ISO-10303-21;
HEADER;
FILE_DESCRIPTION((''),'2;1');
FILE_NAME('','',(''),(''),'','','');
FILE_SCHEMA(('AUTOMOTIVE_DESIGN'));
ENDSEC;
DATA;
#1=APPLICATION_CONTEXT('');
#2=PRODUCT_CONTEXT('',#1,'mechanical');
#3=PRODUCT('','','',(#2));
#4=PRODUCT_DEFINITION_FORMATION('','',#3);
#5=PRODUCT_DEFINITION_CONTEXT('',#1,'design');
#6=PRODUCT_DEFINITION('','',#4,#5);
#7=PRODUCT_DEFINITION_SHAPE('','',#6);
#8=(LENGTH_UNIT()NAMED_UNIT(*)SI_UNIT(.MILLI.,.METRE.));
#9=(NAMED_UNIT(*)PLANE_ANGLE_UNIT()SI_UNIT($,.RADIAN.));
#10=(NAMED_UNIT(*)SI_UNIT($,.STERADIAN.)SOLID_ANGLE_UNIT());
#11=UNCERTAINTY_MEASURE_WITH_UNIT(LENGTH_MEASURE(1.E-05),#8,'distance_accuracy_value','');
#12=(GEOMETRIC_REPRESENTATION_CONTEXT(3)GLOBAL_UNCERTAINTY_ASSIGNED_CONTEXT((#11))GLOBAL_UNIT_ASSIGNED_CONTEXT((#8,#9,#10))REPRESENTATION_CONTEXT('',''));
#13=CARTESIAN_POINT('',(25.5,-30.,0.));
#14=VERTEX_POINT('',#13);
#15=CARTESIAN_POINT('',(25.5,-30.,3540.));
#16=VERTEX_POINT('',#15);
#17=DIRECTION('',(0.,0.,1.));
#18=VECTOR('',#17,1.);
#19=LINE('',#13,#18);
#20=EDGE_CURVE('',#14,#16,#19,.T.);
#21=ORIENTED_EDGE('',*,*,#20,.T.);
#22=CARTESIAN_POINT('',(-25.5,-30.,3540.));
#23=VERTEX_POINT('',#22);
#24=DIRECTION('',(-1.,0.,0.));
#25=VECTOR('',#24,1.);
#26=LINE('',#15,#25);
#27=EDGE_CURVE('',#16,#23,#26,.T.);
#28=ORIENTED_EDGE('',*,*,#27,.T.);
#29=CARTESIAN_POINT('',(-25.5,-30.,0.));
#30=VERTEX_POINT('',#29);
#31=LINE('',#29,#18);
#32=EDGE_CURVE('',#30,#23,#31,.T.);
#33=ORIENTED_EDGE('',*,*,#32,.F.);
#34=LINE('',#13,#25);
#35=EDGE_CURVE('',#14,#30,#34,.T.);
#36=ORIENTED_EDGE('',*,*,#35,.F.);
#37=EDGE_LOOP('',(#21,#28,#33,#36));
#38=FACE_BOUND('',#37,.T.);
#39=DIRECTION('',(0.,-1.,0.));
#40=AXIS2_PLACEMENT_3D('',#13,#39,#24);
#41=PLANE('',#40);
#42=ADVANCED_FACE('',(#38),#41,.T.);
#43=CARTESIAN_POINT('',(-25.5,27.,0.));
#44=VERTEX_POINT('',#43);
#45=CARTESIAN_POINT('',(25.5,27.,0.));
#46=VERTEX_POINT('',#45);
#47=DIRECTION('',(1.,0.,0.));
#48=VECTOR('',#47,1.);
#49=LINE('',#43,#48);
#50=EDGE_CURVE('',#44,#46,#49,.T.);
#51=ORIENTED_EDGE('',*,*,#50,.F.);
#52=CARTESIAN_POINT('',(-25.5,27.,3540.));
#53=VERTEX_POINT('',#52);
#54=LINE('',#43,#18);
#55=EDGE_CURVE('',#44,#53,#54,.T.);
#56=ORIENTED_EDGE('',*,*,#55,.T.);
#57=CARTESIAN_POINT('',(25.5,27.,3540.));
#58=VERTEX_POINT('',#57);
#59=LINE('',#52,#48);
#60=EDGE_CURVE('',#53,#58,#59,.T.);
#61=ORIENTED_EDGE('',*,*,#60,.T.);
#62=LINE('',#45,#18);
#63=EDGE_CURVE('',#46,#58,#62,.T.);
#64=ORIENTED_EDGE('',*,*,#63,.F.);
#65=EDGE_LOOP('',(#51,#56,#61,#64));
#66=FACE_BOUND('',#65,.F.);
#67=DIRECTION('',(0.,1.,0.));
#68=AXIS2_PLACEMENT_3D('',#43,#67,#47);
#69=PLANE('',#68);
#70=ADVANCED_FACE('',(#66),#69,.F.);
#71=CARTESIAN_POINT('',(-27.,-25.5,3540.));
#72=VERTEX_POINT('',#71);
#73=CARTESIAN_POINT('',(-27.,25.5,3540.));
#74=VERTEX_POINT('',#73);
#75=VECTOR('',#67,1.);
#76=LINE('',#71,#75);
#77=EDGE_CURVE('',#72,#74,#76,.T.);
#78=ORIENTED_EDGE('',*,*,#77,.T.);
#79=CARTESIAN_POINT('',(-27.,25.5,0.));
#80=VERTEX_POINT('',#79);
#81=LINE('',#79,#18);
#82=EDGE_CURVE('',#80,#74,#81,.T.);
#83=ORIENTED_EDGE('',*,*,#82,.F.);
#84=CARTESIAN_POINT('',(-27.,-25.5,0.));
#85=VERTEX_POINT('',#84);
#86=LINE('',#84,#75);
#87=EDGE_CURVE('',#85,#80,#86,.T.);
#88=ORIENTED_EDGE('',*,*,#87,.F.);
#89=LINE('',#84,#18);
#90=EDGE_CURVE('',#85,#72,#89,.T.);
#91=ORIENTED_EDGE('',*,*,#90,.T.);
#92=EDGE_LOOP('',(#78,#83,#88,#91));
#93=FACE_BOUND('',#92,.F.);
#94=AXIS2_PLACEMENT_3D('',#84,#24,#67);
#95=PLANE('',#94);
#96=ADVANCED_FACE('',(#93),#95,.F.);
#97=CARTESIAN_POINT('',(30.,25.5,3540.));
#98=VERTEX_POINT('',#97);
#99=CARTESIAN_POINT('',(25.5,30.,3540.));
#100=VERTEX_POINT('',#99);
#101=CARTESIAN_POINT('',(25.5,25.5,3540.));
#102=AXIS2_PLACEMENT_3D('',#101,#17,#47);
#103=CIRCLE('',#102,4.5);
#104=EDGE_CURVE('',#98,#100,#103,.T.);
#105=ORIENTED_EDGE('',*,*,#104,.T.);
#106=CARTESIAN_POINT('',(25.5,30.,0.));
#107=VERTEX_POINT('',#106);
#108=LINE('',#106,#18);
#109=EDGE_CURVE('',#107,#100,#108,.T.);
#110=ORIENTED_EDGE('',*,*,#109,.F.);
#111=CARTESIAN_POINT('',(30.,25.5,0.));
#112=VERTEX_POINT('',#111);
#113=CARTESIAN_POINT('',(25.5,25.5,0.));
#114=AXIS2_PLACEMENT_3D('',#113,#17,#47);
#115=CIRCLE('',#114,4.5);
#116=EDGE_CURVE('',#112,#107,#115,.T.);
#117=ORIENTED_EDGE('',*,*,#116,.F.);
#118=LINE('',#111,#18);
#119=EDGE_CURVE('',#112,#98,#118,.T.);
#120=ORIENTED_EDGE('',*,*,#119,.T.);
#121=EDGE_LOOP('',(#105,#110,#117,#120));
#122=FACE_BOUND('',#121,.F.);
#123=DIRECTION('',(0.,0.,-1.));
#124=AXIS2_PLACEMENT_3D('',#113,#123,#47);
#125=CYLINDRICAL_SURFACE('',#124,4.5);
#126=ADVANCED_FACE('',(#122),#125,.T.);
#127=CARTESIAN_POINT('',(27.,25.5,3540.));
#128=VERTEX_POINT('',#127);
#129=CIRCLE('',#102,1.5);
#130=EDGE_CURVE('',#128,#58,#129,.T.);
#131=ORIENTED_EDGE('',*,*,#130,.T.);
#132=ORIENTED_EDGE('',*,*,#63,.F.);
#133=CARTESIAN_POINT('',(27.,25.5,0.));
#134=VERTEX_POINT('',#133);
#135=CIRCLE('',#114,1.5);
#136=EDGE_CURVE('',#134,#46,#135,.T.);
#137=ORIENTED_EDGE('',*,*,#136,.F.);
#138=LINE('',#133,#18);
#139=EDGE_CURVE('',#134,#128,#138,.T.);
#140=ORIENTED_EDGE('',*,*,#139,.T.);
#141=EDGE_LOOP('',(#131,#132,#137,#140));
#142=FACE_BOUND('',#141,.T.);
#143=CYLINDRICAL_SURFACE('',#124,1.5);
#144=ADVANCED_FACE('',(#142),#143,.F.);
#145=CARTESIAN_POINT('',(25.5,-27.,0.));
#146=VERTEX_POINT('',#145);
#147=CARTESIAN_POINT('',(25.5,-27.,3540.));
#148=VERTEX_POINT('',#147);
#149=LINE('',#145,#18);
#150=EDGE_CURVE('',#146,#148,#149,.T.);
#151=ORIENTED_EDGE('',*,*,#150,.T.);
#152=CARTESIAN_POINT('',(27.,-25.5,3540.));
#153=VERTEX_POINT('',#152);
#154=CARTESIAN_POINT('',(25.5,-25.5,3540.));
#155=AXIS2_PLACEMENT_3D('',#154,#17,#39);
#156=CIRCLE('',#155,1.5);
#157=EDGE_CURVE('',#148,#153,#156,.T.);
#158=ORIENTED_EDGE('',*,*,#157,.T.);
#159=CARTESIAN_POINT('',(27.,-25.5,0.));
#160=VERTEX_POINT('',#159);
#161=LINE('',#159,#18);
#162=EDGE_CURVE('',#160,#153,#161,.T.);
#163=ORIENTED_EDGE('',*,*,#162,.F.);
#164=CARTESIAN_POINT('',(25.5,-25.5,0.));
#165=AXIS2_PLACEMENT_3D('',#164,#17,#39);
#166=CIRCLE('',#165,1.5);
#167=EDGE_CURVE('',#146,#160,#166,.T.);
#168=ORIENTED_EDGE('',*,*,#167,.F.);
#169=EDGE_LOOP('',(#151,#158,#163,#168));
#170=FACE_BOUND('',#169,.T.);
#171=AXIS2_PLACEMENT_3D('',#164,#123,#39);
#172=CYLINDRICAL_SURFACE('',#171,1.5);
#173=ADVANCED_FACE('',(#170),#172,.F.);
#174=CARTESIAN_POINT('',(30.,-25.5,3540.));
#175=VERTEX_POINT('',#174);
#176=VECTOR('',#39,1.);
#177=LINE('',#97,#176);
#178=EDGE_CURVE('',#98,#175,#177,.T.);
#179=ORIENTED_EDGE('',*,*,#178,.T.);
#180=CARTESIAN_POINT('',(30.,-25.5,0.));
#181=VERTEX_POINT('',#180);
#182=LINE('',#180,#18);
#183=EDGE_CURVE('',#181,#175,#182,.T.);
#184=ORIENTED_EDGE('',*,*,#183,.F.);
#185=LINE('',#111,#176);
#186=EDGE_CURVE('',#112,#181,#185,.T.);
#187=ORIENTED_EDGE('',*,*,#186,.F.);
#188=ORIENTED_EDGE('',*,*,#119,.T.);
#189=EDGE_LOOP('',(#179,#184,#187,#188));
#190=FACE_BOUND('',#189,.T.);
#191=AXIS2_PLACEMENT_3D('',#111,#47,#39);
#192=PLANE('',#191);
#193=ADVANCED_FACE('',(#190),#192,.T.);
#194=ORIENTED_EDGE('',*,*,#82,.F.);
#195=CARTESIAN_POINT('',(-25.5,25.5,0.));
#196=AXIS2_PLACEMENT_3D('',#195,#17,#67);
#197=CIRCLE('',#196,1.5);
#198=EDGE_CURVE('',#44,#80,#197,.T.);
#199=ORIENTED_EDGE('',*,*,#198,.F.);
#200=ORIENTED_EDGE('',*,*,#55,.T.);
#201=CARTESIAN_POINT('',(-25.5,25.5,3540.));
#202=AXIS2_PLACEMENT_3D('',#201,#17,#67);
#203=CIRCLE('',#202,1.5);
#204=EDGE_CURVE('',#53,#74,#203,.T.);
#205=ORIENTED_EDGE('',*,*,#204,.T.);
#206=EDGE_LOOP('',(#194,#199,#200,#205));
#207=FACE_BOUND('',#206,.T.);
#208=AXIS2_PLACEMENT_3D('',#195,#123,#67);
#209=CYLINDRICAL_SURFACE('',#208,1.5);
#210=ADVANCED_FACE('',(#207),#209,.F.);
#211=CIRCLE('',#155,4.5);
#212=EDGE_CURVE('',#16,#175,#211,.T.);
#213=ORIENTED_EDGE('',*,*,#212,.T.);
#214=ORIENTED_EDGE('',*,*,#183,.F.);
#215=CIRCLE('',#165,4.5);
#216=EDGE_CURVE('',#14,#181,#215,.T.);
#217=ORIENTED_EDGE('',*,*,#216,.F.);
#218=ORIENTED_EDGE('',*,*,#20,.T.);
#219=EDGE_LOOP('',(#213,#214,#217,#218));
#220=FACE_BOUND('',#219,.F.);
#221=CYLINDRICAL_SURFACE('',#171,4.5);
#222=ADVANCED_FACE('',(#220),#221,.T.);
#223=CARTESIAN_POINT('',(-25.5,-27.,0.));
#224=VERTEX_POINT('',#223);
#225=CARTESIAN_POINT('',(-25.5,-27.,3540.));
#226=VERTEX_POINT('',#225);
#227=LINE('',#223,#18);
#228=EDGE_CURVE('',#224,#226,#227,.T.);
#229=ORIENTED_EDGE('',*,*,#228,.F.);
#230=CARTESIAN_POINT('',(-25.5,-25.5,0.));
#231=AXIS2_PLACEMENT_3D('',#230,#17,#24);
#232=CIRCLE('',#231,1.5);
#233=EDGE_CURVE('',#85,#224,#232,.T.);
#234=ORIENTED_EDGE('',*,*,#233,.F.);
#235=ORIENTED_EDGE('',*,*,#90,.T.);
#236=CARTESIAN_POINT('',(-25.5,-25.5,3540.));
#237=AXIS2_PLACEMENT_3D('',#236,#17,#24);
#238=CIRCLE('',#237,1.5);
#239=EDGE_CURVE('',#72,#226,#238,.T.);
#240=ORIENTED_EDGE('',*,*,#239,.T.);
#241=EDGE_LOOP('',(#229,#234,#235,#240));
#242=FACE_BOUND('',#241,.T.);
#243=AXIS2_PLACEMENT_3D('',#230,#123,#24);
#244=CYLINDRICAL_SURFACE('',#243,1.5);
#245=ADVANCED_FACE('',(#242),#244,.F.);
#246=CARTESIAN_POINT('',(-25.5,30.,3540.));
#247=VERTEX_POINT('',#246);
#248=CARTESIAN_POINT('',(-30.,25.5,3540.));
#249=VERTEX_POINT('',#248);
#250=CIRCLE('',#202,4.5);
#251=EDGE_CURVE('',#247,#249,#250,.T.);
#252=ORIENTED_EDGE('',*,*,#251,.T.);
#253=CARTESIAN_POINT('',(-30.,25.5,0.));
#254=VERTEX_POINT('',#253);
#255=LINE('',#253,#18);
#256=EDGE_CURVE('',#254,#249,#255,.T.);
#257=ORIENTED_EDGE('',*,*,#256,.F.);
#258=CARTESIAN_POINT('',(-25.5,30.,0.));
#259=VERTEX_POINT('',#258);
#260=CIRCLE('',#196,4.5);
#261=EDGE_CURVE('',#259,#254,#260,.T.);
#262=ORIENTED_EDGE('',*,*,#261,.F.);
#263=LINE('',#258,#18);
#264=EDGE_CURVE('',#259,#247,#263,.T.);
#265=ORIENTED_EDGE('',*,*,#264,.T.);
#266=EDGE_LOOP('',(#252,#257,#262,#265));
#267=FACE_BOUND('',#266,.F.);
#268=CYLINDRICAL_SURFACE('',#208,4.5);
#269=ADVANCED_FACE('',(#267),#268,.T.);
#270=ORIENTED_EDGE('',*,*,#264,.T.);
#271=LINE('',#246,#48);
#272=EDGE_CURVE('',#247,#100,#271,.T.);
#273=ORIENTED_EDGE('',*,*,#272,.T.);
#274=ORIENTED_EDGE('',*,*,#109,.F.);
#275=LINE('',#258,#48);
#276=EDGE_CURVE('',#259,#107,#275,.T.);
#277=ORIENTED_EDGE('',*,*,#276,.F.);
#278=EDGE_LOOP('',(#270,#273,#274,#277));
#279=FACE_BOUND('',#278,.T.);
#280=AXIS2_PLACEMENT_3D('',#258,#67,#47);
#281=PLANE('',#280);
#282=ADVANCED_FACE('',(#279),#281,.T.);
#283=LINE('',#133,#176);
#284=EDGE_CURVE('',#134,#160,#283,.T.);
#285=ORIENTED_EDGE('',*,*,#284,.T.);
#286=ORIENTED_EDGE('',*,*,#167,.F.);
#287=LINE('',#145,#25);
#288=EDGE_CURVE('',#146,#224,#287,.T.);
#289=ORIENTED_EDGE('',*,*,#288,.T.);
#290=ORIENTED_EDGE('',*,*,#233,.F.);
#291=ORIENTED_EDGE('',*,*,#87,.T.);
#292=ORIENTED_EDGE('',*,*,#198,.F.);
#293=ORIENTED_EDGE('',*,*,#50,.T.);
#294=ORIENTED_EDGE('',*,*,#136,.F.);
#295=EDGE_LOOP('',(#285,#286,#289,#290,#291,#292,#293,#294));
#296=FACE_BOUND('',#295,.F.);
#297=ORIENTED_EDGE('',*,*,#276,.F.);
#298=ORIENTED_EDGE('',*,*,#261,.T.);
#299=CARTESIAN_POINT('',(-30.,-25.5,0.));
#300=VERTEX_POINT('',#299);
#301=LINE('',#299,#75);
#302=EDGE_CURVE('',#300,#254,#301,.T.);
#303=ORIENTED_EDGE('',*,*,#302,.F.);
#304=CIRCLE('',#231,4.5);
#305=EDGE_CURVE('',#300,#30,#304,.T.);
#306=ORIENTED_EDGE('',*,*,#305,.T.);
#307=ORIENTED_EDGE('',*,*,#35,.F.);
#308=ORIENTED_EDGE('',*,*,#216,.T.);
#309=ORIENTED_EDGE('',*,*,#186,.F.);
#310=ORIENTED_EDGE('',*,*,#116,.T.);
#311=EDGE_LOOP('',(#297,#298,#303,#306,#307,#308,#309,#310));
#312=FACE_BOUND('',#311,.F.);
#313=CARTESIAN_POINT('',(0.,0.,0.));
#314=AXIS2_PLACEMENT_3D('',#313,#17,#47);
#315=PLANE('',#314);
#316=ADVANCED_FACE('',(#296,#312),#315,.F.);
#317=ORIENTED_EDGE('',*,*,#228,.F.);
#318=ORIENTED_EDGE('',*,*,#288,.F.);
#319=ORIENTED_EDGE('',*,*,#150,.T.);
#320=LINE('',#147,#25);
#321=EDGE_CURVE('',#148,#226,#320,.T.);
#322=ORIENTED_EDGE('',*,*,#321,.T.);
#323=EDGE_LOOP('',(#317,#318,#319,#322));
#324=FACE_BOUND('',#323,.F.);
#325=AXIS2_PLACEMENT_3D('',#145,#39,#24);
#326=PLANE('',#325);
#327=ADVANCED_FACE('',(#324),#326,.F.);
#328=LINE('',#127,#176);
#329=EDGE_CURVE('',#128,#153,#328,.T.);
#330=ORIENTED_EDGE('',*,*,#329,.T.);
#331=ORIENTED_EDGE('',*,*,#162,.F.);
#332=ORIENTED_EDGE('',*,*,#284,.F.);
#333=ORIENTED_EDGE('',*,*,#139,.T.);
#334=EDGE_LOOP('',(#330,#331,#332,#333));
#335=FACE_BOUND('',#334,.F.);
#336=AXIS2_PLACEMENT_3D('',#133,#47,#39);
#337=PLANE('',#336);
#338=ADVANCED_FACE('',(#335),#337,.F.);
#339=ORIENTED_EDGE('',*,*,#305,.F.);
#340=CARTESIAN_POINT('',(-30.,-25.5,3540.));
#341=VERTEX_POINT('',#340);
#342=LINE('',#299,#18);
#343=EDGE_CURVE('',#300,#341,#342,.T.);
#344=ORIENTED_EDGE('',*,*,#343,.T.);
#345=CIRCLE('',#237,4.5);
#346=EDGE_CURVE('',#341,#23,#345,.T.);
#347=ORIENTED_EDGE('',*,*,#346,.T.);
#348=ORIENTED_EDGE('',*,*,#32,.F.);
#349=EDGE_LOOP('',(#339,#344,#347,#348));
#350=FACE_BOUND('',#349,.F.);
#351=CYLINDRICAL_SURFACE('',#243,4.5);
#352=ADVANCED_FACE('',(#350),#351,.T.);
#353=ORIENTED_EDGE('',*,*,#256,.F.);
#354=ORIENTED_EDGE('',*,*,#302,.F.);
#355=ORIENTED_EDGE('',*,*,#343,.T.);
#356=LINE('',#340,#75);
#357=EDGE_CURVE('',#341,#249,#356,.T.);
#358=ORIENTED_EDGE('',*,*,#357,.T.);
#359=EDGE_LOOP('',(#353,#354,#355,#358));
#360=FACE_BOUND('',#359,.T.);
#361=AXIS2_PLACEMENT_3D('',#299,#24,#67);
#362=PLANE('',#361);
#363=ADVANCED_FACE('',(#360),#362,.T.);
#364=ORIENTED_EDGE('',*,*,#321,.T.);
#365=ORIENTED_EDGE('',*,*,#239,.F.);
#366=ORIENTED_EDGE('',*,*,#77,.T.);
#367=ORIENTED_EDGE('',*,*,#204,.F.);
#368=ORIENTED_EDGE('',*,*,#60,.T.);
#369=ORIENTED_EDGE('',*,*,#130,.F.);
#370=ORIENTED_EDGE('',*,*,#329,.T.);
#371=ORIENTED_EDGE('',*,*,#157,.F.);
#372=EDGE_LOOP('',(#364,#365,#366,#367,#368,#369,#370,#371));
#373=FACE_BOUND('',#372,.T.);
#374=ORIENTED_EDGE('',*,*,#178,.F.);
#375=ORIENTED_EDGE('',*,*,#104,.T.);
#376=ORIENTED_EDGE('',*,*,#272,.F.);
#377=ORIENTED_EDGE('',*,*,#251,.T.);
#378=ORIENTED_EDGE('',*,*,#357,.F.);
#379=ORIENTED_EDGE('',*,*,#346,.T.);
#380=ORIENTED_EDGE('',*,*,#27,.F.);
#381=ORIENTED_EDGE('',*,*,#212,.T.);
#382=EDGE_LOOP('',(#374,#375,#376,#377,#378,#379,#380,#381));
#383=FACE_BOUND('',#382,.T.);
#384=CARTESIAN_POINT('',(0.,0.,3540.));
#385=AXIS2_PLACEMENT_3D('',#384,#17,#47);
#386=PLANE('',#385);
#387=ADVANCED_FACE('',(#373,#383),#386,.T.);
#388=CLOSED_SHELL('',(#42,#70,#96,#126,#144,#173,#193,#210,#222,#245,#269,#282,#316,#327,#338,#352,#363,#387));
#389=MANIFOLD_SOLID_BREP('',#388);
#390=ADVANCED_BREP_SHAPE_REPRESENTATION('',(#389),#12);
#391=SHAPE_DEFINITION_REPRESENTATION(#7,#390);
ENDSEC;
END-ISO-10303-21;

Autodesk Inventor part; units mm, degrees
ref_plane "YZ Plane" through (0, 0, 0) normal (1, 0, 0) x (0, 1, 0)
ref_plane "Start plane" through (0, 0, 0) normal (0, 0, 1) x (1, 0, 0)
ref_plane "End plane" through (0, 0, 3540) normal (0, 0, 1) x (1, 0, 0)
sketch "Sketch" plane through (0, 0, 0) normal (0, 0, 1) x (1, 0, 0)
  line L0 (-30, -25.5) -> (-30, 25.5)
  line L1 (-25.5, 30) -> (25.5, 30)
  line L2 (30, 25.5) -> (30, -25.5)
  line L3 (25.5, -30) -> (-25.5, -30)
  arc A0 (-30, -25.5) -> (-25.5, -30) centre (-25.5, -25.5) ccw
  arc A1 (-25.5, 30) -> (-30, 25.5) centre (-25.5, 25.5) ccw
  arc A2 (30, 25.5) -> (25.5, 30) centre (25.5, 25.5) ccw
  arc A3 (25.5, -30) -> (30, -25.5) centre (25.5, -25.5) ccw
  arc A4 (-25.5, 27) -> (-27, 25.5) centre (-25.5, 25.5) ccw
  line L4 (-25.5, 27) -> (25.5, 27)
  arc A5 (27, 25.5) -> (25.5, 27) centre (25.5, 25.5) ccw
  line L5 (27, 25.5) -> (27, -25.5)
  arc A6 (25.5, -27) -> (27, -25.5) centre (25.5, -25.5) ccw
  line L6 (25.5, -27) -> (-25.5, -27)
  arc A7 (-27, -25.5) -> (-25.5, -27) centre (-25.5, -25.5) ccw
  line L7 (-27, -25.5) -> (-27, 25.5)
  line L8 (0, 44.1746) -> (0, -44.1746) construction
  line L9 (-44.1746, 0) -> (44.1746, 0) construction
  dimension "d7" = 4.5
  dimension "d10" = 60
  dimension "d11" = 60
  dimension "d12" = 3
  dimension "d15" = 30
  dimension "d16" = 30
extrude "Body" add sketch "Sketch" along normal up to surface (3540 mm away) from surface at 0
sketch "Sketch3" plane through (0, 0, 0) normal (0, 0, 1) x (1, 0, 0)
  line L0 (0, 0) -> (10, 0)
ref_plane "Work Plane3" through (0, 0, 0) normal (0, -1, 0) x (1, 0, 0)
sketch "Sketch4" plane through (0, 0, 0) normal (0, -1, 0) x (1, 0, 0)
  line L0 (-2, 0) -> (12, 0) projected
  line L1 (-2, 3540) -> (12, 3540) projected
  dimension "d18" = 3540
equation "\"d7\" = G_IR"
equation "\"d10\" = G_H"
equation "\"d11\" = G_W"
equation "\"d12\" = G_T"
equation "\"d15\" = 0.5 * d10"
equation "\"d16\" = 0.5 * d11"
equation "\"d3\" = G_L"
equation "\"G_W\" = 60"
equation "\"G_H\" = 60"
equation "\"G_T\" = 3"
equation "\"G_IR\" = 4.5"
equation "\"G_L\" = d18"
equation "\"G_OFFSET_START\" = 0"
equation "\"G_OFFSET_END\" = 0"
properties part number "ISO 12633-2 - 60x60x3 - 3540" material "Steel, Mild"
